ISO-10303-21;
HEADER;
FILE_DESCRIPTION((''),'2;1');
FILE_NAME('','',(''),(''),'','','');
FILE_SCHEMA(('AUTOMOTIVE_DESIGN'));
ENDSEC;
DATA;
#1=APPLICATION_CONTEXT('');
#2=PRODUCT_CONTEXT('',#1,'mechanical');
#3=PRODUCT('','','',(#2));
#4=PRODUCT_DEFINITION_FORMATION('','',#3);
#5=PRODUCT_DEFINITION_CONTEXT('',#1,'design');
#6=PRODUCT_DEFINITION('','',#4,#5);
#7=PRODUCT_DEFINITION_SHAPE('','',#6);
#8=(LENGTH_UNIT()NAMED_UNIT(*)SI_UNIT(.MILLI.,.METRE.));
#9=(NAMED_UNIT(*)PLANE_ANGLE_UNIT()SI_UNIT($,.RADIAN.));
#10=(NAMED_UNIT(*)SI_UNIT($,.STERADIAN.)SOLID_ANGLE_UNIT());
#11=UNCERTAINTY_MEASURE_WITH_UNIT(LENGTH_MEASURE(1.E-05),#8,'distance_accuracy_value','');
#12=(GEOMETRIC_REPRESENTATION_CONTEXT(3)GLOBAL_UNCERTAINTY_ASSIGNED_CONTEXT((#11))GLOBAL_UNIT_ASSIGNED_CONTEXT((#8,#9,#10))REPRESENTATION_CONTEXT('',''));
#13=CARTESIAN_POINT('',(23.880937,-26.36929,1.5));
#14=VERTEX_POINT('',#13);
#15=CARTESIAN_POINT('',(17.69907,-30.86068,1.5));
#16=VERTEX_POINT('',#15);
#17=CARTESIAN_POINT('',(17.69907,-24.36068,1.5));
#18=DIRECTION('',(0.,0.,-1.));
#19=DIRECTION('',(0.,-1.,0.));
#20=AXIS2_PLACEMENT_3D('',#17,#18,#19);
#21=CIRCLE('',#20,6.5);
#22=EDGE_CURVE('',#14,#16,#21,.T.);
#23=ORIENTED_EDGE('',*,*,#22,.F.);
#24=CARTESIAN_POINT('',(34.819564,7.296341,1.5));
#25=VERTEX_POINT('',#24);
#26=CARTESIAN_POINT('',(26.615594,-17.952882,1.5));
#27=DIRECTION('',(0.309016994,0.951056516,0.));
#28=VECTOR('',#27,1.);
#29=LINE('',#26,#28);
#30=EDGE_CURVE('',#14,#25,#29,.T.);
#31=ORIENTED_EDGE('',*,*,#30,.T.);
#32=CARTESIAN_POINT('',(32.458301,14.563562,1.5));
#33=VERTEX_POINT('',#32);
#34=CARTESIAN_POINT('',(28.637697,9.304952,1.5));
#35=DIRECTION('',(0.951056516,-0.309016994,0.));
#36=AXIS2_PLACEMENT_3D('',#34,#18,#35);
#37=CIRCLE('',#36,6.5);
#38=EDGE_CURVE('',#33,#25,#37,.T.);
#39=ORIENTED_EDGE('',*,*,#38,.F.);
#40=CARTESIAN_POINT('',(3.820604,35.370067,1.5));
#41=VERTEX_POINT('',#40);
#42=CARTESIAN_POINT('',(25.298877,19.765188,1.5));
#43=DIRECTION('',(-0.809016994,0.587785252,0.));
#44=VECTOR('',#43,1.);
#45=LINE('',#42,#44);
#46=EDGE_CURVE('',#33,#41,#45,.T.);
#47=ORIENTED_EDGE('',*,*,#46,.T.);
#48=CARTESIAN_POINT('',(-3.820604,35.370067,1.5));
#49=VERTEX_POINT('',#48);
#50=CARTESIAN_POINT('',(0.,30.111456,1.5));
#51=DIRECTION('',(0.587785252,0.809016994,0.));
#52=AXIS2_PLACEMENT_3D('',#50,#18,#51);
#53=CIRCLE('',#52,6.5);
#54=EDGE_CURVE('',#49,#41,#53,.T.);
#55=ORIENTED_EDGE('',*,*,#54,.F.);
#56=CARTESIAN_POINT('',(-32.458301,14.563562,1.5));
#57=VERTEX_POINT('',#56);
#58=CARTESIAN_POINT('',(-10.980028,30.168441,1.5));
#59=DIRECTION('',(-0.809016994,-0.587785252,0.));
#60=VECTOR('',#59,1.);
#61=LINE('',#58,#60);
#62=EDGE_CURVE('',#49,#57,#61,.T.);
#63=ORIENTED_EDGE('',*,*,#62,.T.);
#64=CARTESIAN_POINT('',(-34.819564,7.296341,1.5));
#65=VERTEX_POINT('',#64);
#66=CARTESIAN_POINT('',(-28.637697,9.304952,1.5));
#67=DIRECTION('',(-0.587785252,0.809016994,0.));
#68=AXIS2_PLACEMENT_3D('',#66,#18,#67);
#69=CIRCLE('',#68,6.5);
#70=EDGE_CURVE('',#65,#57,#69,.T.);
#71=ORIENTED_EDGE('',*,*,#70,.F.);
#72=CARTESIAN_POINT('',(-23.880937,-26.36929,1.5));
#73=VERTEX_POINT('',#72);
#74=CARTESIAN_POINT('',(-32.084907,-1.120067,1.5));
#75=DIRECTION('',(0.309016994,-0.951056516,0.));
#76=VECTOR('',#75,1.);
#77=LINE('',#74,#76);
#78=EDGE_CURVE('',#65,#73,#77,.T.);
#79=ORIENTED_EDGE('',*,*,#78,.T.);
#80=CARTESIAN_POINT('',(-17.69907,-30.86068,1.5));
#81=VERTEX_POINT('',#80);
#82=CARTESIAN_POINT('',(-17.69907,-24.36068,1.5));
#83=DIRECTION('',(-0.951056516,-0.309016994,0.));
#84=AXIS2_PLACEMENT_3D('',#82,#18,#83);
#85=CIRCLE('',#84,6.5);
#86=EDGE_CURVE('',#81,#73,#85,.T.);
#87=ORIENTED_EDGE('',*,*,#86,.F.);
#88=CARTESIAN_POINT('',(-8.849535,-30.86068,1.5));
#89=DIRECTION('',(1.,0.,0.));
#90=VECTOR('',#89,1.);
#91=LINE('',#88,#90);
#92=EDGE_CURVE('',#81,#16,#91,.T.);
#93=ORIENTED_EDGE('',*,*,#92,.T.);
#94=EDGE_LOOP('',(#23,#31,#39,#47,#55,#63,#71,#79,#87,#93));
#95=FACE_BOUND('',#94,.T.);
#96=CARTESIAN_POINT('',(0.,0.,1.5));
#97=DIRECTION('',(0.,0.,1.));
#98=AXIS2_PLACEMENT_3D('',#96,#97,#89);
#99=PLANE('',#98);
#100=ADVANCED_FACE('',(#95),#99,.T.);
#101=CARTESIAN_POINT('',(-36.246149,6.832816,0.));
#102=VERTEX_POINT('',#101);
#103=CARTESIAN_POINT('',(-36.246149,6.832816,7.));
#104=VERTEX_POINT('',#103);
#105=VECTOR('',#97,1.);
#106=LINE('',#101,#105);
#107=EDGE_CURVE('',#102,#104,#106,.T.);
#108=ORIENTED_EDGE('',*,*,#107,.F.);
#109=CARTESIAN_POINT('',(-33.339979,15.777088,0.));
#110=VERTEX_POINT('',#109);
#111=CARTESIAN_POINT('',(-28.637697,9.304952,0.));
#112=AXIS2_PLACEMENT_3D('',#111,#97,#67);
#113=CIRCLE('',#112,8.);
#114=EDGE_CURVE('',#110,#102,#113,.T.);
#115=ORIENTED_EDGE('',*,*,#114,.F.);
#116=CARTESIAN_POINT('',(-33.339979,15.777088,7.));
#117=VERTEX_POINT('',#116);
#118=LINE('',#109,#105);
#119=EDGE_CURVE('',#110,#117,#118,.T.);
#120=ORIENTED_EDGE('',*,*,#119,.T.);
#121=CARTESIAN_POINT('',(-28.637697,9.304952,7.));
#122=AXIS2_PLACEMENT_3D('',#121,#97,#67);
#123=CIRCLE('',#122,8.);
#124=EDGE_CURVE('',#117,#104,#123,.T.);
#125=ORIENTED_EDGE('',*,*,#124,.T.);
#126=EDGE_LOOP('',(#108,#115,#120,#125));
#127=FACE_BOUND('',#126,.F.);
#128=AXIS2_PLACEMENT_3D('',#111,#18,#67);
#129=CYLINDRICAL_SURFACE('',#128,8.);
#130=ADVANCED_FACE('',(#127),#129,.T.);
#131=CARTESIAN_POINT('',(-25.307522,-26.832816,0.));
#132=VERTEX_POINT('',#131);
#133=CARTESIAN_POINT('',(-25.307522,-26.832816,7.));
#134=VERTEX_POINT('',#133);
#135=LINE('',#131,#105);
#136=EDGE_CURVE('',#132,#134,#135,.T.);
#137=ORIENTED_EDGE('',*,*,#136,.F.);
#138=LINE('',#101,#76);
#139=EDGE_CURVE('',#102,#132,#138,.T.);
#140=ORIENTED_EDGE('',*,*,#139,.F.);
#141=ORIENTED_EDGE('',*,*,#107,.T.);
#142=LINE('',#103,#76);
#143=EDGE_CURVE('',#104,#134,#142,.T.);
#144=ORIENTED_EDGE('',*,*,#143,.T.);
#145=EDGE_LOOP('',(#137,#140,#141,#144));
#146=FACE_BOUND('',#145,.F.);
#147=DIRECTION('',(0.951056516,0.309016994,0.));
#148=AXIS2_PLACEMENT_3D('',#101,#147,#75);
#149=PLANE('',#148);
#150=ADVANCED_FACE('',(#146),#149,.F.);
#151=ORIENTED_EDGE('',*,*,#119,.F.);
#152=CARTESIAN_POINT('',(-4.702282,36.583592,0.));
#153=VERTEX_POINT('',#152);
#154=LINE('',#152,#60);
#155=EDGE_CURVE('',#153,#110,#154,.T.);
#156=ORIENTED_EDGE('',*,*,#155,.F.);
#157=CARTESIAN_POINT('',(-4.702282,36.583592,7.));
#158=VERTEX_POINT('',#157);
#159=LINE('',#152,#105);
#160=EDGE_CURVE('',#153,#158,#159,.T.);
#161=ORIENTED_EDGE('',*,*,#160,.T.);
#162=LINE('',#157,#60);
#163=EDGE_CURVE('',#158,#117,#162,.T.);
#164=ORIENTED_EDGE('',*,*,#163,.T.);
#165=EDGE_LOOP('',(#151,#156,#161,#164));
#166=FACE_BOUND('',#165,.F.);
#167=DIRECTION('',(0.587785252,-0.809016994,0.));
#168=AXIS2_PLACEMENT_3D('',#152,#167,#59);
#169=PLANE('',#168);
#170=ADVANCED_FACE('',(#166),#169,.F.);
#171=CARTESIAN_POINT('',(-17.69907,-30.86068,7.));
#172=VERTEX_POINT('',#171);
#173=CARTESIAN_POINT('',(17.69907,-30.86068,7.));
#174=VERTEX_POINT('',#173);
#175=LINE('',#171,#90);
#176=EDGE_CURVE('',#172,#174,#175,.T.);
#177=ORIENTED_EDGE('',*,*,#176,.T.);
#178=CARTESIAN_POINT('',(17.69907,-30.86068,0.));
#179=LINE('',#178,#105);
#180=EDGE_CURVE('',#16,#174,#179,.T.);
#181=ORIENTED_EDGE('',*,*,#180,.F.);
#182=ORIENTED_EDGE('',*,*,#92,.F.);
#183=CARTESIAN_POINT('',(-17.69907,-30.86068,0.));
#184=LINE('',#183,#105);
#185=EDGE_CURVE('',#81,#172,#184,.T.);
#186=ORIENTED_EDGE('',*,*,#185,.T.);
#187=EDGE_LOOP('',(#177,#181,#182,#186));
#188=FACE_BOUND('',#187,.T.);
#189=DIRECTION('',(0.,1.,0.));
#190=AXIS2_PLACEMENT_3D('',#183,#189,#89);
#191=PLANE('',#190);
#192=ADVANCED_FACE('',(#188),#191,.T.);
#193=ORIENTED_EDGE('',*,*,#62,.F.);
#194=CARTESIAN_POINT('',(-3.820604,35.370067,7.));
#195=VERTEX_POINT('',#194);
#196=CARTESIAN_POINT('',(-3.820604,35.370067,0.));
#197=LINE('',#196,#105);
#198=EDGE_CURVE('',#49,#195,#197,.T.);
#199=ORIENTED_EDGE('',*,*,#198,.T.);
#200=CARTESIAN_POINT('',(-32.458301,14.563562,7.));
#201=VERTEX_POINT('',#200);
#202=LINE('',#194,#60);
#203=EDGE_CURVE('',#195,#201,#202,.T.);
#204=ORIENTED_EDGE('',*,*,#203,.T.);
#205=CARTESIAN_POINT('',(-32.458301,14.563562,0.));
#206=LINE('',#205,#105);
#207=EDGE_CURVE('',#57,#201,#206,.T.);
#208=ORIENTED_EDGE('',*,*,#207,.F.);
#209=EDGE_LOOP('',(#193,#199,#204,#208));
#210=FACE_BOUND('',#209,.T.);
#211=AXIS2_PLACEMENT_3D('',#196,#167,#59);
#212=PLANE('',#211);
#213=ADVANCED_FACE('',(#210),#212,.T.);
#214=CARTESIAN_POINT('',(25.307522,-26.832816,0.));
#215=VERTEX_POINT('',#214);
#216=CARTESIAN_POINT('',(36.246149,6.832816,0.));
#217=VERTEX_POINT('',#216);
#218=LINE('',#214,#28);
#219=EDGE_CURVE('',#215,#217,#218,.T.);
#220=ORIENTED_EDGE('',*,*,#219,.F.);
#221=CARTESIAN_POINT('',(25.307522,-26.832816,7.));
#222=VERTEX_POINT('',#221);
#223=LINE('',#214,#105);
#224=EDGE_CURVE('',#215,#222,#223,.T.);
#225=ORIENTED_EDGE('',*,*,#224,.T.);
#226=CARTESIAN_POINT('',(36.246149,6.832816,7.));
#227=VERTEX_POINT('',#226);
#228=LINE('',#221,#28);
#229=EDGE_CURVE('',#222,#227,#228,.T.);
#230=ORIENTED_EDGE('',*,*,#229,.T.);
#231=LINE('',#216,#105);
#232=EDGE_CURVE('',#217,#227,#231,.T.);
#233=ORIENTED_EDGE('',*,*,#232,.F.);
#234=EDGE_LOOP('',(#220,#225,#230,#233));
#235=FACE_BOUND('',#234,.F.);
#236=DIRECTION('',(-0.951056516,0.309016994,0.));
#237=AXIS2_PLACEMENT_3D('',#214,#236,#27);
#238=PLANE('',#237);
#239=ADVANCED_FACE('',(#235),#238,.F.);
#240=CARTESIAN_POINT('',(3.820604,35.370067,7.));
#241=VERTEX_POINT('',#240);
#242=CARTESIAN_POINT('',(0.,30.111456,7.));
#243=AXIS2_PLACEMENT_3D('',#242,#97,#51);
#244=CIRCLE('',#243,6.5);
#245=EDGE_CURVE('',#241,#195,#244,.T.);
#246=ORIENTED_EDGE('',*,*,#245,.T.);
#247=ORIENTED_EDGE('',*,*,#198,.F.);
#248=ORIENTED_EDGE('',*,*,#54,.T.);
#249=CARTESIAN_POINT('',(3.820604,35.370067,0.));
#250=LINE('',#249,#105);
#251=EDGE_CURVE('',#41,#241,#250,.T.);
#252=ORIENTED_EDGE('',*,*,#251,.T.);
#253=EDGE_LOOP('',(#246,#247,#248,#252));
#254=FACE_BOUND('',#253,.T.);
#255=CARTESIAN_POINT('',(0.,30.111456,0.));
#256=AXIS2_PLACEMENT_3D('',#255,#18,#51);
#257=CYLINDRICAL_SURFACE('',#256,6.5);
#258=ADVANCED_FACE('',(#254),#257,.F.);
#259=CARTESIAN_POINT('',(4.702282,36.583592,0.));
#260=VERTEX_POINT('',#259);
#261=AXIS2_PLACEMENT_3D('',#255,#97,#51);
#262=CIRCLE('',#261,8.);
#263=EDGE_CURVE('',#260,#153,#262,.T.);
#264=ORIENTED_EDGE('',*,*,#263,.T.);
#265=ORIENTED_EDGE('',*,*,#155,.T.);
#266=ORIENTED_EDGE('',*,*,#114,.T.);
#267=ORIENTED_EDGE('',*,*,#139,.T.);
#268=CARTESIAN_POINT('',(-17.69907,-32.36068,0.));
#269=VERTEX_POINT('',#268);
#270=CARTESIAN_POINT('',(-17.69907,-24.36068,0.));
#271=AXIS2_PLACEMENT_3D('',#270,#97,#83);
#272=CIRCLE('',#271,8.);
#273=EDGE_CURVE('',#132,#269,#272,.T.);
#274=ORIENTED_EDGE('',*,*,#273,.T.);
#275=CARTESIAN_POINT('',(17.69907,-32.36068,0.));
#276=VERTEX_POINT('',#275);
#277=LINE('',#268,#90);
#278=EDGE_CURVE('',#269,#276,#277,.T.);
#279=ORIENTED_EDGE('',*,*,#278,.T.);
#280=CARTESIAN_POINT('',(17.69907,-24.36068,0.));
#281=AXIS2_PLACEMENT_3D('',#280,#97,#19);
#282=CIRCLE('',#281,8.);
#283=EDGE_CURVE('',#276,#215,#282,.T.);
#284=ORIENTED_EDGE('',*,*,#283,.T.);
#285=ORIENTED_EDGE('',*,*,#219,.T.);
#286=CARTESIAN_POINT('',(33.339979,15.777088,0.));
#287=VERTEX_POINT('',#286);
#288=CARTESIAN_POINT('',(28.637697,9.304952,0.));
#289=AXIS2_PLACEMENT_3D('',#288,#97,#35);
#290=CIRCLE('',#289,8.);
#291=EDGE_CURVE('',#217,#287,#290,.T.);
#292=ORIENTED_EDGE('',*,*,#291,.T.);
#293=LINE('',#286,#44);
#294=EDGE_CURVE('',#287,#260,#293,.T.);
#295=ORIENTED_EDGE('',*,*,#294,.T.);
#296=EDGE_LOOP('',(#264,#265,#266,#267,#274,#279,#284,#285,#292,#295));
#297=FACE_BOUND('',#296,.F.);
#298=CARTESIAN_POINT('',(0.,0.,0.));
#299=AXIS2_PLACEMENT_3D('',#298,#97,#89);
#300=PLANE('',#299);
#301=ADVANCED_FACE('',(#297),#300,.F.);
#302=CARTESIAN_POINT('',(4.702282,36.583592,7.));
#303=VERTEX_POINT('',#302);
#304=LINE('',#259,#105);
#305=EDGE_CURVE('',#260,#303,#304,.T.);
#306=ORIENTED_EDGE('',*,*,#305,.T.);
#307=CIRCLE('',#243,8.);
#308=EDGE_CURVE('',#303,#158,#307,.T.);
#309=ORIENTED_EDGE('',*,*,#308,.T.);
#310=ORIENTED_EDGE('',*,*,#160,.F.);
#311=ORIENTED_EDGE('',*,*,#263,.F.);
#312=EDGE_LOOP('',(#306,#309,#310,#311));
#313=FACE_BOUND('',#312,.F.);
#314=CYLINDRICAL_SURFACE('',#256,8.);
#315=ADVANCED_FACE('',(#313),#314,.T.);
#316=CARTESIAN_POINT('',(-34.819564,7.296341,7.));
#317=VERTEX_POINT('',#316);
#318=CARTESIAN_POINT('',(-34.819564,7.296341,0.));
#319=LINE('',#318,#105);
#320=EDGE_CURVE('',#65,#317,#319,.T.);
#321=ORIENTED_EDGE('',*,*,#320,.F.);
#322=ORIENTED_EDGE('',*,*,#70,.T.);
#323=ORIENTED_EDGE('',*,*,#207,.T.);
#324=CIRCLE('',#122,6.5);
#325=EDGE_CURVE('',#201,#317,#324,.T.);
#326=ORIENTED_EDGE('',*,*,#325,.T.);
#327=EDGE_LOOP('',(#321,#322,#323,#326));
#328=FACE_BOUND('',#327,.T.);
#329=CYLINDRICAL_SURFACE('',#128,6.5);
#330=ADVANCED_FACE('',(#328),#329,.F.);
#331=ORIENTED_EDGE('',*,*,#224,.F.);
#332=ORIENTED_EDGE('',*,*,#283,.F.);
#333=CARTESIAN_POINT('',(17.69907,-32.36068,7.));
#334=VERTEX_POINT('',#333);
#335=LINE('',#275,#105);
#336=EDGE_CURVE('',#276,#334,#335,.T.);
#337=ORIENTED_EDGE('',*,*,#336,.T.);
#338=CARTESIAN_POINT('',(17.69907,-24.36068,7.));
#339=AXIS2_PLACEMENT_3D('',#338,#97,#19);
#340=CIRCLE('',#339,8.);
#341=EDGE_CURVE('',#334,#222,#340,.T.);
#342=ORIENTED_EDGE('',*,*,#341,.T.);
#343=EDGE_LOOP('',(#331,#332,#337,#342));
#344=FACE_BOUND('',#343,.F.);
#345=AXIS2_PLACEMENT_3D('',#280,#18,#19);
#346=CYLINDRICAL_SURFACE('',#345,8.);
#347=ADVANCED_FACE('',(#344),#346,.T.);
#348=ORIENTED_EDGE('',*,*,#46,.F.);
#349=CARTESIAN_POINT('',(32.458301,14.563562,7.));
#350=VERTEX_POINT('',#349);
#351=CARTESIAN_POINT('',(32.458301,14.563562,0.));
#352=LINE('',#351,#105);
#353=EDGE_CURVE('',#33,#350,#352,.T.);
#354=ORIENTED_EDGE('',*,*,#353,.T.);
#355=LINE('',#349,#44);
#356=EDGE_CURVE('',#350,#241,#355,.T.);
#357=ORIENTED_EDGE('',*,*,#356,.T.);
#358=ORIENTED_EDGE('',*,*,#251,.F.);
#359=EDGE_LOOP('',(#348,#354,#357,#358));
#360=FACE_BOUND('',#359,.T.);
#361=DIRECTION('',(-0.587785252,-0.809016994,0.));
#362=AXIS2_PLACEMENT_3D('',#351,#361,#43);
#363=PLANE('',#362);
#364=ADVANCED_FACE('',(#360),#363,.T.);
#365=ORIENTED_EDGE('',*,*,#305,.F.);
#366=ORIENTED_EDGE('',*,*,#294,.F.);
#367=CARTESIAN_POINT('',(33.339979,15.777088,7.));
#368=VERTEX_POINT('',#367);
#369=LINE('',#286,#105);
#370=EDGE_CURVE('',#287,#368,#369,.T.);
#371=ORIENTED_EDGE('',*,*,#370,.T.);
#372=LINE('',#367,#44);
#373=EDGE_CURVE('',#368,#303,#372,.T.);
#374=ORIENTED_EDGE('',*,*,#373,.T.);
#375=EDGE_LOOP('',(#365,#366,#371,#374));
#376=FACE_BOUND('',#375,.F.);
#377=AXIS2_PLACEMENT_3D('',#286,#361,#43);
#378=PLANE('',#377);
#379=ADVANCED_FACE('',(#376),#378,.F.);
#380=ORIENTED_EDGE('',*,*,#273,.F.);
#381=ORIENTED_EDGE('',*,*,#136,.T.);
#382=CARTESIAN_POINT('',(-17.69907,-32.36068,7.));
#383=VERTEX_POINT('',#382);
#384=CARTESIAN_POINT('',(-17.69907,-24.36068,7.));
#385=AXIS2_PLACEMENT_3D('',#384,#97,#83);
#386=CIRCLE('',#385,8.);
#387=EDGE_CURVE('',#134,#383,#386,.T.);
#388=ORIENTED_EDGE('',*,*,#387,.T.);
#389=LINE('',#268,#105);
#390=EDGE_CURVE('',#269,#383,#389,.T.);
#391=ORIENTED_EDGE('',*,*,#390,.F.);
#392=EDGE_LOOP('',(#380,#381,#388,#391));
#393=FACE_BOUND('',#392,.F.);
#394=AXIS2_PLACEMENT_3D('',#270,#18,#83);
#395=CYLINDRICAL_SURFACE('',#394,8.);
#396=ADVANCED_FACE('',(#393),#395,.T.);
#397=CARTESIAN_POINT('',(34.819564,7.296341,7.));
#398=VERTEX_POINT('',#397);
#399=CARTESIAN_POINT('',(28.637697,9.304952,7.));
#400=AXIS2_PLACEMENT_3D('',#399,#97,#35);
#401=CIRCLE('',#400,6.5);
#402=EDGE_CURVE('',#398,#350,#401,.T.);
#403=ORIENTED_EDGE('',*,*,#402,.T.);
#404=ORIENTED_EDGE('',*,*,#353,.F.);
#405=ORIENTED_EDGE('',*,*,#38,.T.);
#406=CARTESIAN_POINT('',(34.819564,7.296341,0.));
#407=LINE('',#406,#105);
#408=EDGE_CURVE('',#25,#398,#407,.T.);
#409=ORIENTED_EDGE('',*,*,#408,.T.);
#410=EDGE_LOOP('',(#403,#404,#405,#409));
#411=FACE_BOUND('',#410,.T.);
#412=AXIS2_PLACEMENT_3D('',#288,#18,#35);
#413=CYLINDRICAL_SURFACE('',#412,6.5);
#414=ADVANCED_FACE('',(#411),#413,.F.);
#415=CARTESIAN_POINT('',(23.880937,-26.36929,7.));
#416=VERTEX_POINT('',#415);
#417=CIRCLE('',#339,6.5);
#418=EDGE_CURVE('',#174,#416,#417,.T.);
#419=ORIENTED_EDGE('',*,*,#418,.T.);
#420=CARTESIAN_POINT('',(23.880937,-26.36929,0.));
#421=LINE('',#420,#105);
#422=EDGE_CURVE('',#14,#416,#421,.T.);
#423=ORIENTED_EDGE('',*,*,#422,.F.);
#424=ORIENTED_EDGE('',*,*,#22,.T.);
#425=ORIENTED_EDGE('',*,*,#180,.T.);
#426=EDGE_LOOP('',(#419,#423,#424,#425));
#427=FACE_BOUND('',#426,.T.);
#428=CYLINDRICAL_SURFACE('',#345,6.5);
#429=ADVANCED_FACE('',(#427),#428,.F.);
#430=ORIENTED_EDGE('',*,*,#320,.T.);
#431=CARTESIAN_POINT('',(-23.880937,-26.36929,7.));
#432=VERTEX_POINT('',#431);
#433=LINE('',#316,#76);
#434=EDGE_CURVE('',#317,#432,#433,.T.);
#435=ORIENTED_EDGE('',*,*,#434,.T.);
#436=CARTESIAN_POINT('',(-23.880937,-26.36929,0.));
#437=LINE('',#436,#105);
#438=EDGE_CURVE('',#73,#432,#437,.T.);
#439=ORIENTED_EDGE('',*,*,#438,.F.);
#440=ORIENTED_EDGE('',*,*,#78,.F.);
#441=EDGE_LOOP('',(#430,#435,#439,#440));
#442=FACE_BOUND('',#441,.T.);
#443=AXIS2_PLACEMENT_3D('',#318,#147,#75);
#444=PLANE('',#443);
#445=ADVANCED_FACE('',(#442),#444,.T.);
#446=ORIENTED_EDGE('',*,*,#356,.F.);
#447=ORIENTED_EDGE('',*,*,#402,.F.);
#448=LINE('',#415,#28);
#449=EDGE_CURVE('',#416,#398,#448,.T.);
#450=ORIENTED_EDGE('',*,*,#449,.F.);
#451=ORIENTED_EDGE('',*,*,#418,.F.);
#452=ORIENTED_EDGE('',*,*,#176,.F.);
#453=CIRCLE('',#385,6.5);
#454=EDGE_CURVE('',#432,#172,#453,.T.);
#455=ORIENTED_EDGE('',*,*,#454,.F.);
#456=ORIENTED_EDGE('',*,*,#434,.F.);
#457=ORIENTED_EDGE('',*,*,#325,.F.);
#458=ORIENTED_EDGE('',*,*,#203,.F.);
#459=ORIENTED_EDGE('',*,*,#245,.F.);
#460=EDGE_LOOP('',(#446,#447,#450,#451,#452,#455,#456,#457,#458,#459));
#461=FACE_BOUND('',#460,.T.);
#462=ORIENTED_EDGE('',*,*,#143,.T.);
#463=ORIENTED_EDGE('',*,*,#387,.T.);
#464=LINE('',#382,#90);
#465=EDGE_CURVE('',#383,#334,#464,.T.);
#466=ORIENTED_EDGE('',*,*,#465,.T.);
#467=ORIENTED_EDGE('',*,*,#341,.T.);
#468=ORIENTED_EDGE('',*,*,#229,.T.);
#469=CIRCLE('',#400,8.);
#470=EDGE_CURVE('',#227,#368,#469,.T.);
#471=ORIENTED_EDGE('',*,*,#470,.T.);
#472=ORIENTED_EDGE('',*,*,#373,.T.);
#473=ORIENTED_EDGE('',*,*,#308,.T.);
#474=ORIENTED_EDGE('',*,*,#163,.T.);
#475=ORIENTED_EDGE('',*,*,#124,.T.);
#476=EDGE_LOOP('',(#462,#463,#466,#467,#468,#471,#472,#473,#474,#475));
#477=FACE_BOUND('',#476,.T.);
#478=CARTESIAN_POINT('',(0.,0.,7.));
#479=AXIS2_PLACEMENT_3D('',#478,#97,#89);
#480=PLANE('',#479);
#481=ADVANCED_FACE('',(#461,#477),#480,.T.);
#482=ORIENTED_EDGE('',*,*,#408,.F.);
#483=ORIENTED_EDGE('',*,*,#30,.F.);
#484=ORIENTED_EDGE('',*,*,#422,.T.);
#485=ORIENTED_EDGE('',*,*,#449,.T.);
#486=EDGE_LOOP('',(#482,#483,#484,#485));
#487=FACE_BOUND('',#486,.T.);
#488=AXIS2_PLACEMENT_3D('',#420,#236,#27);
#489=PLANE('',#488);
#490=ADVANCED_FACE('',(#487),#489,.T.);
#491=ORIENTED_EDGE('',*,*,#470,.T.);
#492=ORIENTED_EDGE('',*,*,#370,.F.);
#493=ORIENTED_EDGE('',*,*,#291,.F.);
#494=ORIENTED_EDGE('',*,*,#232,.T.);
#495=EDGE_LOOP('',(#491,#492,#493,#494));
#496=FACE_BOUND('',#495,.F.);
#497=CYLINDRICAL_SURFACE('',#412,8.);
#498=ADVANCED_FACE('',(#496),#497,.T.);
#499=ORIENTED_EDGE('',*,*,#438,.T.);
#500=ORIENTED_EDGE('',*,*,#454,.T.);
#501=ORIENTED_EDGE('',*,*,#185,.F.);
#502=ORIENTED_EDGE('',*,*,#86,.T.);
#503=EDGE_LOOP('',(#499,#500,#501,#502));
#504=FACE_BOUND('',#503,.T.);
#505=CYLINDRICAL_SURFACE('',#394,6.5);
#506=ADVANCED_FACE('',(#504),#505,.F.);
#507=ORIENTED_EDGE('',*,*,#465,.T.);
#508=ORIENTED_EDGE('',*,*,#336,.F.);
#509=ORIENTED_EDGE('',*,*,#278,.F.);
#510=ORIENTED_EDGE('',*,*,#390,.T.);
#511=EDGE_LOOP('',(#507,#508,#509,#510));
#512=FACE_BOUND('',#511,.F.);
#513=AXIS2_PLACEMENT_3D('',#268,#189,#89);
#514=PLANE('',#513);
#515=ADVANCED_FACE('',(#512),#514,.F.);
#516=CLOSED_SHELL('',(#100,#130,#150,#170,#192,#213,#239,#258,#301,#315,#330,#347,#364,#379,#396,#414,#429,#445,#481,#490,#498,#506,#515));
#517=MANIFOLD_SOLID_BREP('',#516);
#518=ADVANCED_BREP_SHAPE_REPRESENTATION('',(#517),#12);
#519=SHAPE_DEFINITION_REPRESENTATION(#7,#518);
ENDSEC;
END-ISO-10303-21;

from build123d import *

# Parameters (mm, degrees)
F3_DEPTH = 7
F4_T     = -1.5


with BuildPart() as f3:
    # F2 (on Top) → F3 (new body)
    with BuildSketch(Plane.XY):
        with BuildLine():
            Line((25.307521998, -26.83281573), (36.2461487455, 6.83281573))
            ThreePointArc((36.2461487455, 6.83281573), (36.2461487455, 11.77708764), (33.3399786335, 15.77708764))
            Line((33.3399786335, 15.77708764), (4.7022820183, 36.583592135))
            ThreePointArc((4.7022820183, 36.583592135), (0, 38.11145618), (-4.7022820183, 36.583592135))
            Line((-4.7022820183, 36.583592135), (-33.3399786335, 15.77708764))
            ThreePointArc((-33.3399786335, 15.77708764), (-36.2461487455, 11.77708764), (-36.2461487455, 6.83281573))
            Line((-36.2461487455, 6.83281573), (-25.307521998, -26.83281573))
            ThreePointArc((-25.307521998, -26.83281573), (-22.401351886, -30.83281573), (-17.6990698677, -32.360679775))
            Line((-17.6990698677, -32.360679775), (17.6990698677, -32.360679775))
            ThreePointArc((17.6990698677, -32.360679775), (22.401351886, -30.83281573), (25.307521998, -26.83281573))
        make_face()
    extrude(amount=F3_DEPTH)

    # F4
    f4_openings = [f3.faces().sort_by_distance(p)[0] for p in [
        (0, 0, 7),
    ]]
    offset(amount=F4_T, openings=f4_openings)


solid = f3.part
